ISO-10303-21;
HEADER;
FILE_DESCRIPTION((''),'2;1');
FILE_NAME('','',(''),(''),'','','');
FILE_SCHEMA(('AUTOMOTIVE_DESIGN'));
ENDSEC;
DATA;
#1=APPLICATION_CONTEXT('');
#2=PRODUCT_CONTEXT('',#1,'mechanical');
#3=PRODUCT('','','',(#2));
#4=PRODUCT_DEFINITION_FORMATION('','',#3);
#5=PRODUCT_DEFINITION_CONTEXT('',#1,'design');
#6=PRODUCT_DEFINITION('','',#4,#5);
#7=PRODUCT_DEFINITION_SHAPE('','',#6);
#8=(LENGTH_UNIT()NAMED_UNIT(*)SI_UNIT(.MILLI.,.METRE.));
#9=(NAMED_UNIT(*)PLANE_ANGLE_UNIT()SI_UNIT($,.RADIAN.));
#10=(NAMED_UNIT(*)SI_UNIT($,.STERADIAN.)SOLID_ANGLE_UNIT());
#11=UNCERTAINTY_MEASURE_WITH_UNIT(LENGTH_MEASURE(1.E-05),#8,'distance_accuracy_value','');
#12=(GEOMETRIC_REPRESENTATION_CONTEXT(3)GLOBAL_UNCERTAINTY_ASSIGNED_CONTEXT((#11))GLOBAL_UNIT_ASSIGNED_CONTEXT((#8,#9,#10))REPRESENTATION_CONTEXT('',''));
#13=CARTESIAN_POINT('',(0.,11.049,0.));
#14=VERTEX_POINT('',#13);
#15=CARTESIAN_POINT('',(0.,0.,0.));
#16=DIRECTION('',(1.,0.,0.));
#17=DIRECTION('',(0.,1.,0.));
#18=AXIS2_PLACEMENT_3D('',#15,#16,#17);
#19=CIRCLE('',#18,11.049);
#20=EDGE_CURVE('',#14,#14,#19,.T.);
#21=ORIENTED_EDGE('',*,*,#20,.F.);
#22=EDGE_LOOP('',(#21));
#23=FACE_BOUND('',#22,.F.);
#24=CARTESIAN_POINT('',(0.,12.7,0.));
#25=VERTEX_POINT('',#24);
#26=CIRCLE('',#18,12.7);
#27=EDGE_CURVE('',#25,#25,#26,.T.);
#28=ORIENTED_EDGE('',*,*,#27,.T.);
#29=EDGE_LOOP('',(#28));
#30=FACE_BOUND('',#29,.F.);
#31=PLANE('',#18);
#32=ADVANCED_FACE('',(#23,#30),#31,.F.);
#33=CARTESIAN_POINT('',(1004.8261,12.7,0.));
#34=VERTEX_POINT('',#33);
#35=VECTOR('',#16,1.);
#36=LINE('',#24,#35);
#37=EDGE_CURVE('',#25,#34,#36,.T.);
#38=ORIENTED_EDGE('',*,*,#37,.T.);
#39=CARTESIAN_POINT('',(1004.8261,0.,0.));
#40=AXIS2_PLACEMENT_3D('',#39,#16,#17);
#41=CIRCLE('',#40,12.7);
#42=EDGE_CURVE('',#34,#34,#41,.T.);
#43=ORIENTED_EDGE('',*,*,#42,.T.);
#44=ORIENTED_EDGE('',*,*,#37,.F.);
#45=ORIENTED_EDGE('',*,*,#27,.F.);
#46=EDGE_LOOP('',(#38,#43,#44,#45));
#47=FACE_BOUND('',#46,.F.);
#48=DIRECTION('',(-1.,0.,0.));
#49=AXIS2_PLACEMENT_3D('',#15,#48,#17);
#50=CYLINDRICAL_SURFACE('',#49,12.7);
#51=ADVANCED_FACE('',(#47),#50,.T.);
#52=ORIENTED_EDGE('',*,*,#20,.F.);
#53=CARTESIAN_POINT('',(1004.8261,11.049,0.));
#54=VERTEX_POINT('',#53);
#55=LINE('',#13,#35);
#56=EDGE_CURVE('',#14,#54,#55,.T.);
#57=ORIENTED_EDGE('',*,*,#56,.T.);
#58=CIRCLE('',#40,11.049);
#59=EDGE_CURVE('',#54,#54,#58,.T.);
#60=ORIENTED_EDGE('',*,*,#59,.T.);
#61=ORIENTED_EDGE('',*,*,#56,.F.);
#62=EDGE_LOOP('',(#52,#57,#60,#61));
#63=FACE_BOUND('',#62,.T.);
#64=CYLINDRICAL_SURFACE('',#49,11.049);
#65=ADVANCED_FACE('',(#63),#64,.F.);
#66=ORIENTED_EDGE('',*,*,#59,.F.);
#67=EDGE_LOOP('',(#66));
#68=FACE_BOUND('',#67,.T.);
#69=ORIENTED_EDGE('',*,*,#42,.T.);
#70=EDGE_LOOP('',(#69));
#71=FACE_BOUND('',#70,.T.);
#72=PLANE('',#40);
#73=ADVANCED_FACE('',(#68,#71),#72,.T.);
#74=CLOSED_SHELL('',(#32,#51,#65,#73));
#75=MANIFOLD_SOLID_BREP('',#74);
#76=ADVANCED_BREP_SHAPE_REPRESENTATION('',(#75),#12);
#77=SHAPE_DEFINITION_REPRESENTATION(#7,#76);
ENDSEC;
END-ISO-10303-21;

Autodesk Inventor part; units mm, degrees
ref_plane "XZ Plane" through (0, 0, 0) normal (0, 1, 0) x (-1, 0, 0)
ref_plane "Start Plane" through (0, 0, 0) normal (1, 0, 0) x (0, 1, 0)
ref_plane "End Plane" through (1004.8261, 0, 0) normal (1, 0, 0) x (0, 1, 0)
sketch "Sketch" plane through (0, 0, 0) normal (1, 0, 0) x (0, 1, 0)
  circle A0 centre (0, 0) radius 12.7
  circle A1 centre (0, 0) radius 11.049
  dimension "d0" = 25.4
  dimension "d1" = 1.651
extrude "Body" add sketch "Sketch" along normal up to surface (1004.8261 mm away) from surface at 0
sketch "Sketch2" plane through (0, 0, 0) normal (1, 0, 0) x (0, 1, 0)
  line L0 (0, 0) -> (10, 0)
ref_plane "Work Plane3" through (0, 0, 0) normal (0, 0, -1) x (0, 1, 0)
sketch "Sketch3" plane through (0, 0, 0) normal (0, 0, -1) x (0, 1, 0)
  line L0 (-2, 0) -> (12, 0)
  line L1 (-2, 1004.8261) -> (12, 1004.8261)
  dimension "d9" = 1004.826
equation "\"G_OFFSET_START\" = 0"
equation "\"G_OFFSET_END\" = 0"
equation "\"d5\" = d2 + G_OFFSET_END"
equation "\"G_L\" = d9"
equation "\"d2\" = 1004.826055"
properties part number "4130_1x0.065" material "Steel, Alloy"
